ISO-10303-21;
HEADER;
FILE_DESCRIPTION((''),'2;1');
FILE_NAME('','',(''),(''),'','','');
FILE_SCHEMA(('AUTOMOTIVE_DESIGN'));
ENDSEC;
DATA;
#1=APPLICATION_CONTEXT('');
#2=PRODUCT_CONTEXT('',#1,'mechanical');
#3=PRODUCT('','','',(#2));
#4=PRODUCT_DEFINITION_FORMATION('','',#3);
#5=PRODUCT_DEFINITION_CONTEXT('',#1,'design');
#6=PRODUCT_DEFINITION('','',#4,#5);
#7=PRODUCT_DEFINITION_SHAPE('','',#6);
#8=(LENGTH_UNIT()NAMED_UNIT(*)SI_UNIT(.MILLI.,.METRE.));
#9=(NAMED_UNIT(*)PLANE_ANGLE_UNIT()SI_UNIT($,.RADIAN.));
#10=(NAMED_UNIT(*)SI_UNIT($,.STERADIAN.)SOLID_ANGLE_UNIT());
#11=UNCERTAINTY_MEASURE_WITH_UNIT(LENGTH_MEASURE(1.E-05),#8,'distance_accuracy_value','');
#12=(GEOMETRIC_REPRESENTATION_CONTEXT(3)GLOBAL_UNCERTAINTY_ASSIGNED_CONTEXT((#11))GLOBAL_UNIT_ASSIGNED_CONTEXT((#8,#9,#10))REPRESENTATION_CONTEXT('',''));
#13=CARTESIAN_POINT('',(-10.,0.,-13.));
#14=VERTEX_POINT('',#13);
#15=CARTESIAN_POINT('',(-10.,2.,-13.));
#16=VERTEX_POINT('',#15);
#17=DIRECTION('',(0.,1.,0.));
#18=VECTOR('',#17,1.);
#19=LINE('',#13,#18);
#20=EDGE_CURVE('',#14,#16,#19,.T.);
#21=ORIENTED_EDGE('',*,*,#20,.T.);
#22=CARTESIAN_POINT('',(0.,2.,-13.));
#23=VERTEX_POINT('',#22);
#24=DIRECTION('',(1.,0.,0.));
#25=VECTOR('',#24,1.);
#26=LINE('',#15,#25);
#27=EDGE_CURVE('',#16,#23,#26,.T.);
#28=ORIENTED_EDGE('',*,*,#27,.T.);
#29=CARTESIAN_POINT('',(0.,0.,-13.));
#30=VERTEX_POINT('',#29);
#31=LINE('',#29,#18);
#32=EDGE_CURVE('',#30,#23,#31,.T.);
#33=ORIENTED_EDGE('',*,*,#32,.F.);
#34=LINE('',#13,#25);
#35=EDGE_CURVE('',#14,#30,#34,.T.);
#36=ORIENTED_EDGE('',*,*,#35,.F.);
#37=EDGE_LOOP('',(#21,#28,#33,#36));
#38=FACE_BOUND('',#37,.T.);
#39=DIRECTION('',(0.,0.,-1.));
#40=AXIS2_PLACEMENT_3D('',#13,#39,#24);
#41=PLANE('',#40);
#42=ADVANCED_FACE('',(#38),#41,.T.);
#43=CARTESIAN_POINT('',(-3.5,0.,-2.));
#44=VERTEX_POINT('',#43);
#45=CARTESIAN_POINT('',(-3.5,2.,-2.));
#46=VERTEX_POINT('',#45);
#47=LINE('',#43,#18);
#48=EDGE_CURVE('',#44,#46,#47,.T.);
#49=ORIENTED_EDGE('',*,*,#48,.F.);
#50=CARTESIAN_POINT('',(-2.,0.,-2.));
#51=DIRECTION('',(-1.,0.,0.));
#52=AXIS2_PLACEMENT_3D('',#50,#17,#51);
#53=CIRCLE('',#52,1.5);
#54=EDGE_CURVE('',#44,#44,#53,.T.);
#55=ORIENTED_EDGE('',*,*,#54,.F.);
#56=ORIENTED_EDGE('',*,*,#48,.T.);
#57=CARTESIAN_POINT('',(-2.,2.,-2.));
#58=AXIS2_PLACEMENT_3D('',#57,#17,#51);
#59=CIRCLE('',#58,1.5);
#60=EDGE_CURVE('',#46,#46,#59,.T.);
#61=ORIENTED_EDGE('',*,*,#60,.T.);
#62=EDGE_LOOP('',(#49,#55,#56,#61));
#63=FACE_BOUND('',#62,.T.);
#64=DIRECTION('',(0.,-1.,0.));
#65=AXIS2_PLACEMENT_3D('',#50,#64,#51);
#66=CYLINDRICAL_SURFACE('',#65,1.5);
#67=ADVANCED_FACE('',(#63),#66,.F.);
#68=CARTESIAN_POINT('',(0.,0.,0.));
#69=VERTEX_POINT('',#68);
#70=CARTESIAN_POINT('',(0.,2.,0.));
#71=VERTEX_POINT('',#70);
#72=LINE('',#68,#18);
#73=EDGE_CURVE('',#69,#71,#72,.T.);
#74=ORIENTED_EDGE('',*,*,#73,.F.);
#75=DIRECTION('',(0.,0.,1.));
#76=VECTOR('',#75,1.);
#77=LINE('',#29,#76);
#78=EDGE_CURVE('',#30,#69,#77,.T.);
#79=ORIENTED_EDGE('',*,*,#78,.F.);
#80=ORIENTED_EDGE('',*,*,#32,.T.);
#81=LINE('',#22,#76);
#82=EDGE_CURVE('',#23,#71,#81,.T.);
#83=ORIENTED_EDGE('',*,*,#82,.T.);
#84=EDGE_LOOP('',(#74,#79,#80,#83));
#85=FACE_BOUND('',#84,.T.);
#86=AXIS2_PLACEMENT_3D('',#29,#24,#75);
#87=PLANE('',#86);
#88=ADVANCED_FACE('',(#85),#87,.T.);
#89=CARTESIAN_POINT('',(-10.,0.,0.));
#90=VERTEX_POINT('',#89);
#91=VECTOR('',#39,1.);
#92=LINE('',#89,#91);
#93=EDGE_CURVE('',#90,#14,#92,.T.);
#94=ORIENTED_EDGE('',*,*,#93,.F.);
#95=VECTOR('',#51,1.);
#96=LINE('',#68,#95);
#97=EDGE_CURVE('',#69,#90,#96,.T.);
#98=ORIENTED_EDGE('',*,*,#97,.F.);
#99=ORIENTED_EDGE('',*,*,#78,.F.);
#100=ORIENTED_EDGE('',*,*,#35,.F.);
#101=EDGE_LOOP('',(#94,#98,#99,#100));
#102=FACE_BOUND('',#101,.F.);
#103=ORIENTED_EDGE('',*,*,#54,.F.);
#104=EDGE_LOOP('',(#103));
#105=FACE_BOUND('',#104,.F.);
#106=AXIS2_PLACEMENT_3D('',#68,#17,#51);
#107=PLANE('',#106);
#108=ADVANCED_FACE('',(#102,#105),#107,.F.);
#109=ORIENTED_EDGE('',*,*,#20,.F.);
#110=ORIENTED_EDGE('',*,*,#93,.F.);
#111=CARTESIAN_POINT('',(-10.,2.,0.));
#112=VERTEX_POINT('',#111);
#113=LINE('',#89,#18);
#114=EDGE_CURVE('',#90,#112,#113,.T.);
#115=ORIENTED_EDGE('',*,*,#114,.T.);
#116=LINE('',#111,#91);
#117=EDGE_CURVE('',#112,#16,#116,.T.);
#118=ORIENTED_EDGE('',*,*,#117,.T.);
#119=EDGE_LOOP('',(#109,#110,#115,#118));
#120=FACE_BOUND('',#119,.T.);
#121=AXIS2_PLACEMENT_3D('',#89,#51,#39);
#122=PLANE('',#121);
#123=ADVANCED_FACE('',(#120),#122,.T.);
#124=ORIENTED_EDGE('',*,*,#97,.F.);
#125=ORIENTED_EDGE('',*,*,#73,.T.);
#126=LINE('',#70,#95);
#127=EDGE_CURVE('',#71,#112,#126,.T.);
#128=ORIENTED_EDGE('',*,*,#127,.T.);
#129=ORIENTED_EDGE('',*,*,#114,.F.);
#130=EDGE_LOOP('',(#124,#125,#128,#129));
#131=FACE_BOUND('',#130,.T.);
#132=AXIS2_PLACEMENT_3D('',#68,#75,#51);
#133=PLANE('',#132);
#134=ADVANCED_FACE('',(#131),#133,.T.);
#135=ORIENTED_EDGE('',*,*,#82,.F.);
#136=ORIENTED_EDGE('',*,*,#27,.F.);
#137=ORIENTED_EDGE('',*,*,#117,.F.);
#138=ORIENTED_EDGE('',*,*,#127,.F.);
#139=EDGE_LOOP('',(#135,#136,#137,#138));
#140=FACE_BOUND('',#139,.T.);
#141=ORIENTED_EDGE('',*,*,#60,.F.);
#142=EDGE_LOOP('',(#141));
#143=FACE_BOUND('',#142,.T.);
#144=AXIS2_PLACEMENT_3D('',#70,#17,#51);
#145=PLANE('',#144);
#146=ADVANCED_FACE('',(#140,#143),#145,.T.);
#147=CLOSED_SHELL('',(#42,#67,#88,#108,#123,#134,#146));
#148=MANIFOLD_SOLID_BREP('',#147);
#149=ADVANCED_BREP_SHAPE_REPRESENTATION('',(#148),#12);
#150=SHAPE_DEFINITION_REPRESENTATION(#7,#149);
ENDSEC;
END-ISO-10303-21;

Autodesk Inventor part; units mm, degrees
ref_plane "YZ Plane" through (0, 0, 0) normal (1, 0, 0) x (0, 1, 0)
ref_plane "XZ Plane" through (0, 0, 0) normal (0, 1, 0) x (-1, 0, 0)
ref_plane "XY Plane" through (0, 0, 0) normal (0, 0, 1) x (1, 0, 0)
sketch "Sketch10" plane through (0, 0, 0) normal (0, 1, 0) x (-1, 0, 0)
  line L0 (0, 0) -> (10, 0)
  line L1 (10, 0) -> (10, -13)
  line L2 (10, -13) -> (0, -13)
  line L3 (0, -13) -> (0, 0)
  circle A0 centre (2, -2) radius 1.5
  dimension "d29" = 10
  dimension "d30" = 13
  dimension "d31" = 3
extrude "Extrusion6" add sketch "Sketch10" along normal blind 2
properties part number "czujnik"
